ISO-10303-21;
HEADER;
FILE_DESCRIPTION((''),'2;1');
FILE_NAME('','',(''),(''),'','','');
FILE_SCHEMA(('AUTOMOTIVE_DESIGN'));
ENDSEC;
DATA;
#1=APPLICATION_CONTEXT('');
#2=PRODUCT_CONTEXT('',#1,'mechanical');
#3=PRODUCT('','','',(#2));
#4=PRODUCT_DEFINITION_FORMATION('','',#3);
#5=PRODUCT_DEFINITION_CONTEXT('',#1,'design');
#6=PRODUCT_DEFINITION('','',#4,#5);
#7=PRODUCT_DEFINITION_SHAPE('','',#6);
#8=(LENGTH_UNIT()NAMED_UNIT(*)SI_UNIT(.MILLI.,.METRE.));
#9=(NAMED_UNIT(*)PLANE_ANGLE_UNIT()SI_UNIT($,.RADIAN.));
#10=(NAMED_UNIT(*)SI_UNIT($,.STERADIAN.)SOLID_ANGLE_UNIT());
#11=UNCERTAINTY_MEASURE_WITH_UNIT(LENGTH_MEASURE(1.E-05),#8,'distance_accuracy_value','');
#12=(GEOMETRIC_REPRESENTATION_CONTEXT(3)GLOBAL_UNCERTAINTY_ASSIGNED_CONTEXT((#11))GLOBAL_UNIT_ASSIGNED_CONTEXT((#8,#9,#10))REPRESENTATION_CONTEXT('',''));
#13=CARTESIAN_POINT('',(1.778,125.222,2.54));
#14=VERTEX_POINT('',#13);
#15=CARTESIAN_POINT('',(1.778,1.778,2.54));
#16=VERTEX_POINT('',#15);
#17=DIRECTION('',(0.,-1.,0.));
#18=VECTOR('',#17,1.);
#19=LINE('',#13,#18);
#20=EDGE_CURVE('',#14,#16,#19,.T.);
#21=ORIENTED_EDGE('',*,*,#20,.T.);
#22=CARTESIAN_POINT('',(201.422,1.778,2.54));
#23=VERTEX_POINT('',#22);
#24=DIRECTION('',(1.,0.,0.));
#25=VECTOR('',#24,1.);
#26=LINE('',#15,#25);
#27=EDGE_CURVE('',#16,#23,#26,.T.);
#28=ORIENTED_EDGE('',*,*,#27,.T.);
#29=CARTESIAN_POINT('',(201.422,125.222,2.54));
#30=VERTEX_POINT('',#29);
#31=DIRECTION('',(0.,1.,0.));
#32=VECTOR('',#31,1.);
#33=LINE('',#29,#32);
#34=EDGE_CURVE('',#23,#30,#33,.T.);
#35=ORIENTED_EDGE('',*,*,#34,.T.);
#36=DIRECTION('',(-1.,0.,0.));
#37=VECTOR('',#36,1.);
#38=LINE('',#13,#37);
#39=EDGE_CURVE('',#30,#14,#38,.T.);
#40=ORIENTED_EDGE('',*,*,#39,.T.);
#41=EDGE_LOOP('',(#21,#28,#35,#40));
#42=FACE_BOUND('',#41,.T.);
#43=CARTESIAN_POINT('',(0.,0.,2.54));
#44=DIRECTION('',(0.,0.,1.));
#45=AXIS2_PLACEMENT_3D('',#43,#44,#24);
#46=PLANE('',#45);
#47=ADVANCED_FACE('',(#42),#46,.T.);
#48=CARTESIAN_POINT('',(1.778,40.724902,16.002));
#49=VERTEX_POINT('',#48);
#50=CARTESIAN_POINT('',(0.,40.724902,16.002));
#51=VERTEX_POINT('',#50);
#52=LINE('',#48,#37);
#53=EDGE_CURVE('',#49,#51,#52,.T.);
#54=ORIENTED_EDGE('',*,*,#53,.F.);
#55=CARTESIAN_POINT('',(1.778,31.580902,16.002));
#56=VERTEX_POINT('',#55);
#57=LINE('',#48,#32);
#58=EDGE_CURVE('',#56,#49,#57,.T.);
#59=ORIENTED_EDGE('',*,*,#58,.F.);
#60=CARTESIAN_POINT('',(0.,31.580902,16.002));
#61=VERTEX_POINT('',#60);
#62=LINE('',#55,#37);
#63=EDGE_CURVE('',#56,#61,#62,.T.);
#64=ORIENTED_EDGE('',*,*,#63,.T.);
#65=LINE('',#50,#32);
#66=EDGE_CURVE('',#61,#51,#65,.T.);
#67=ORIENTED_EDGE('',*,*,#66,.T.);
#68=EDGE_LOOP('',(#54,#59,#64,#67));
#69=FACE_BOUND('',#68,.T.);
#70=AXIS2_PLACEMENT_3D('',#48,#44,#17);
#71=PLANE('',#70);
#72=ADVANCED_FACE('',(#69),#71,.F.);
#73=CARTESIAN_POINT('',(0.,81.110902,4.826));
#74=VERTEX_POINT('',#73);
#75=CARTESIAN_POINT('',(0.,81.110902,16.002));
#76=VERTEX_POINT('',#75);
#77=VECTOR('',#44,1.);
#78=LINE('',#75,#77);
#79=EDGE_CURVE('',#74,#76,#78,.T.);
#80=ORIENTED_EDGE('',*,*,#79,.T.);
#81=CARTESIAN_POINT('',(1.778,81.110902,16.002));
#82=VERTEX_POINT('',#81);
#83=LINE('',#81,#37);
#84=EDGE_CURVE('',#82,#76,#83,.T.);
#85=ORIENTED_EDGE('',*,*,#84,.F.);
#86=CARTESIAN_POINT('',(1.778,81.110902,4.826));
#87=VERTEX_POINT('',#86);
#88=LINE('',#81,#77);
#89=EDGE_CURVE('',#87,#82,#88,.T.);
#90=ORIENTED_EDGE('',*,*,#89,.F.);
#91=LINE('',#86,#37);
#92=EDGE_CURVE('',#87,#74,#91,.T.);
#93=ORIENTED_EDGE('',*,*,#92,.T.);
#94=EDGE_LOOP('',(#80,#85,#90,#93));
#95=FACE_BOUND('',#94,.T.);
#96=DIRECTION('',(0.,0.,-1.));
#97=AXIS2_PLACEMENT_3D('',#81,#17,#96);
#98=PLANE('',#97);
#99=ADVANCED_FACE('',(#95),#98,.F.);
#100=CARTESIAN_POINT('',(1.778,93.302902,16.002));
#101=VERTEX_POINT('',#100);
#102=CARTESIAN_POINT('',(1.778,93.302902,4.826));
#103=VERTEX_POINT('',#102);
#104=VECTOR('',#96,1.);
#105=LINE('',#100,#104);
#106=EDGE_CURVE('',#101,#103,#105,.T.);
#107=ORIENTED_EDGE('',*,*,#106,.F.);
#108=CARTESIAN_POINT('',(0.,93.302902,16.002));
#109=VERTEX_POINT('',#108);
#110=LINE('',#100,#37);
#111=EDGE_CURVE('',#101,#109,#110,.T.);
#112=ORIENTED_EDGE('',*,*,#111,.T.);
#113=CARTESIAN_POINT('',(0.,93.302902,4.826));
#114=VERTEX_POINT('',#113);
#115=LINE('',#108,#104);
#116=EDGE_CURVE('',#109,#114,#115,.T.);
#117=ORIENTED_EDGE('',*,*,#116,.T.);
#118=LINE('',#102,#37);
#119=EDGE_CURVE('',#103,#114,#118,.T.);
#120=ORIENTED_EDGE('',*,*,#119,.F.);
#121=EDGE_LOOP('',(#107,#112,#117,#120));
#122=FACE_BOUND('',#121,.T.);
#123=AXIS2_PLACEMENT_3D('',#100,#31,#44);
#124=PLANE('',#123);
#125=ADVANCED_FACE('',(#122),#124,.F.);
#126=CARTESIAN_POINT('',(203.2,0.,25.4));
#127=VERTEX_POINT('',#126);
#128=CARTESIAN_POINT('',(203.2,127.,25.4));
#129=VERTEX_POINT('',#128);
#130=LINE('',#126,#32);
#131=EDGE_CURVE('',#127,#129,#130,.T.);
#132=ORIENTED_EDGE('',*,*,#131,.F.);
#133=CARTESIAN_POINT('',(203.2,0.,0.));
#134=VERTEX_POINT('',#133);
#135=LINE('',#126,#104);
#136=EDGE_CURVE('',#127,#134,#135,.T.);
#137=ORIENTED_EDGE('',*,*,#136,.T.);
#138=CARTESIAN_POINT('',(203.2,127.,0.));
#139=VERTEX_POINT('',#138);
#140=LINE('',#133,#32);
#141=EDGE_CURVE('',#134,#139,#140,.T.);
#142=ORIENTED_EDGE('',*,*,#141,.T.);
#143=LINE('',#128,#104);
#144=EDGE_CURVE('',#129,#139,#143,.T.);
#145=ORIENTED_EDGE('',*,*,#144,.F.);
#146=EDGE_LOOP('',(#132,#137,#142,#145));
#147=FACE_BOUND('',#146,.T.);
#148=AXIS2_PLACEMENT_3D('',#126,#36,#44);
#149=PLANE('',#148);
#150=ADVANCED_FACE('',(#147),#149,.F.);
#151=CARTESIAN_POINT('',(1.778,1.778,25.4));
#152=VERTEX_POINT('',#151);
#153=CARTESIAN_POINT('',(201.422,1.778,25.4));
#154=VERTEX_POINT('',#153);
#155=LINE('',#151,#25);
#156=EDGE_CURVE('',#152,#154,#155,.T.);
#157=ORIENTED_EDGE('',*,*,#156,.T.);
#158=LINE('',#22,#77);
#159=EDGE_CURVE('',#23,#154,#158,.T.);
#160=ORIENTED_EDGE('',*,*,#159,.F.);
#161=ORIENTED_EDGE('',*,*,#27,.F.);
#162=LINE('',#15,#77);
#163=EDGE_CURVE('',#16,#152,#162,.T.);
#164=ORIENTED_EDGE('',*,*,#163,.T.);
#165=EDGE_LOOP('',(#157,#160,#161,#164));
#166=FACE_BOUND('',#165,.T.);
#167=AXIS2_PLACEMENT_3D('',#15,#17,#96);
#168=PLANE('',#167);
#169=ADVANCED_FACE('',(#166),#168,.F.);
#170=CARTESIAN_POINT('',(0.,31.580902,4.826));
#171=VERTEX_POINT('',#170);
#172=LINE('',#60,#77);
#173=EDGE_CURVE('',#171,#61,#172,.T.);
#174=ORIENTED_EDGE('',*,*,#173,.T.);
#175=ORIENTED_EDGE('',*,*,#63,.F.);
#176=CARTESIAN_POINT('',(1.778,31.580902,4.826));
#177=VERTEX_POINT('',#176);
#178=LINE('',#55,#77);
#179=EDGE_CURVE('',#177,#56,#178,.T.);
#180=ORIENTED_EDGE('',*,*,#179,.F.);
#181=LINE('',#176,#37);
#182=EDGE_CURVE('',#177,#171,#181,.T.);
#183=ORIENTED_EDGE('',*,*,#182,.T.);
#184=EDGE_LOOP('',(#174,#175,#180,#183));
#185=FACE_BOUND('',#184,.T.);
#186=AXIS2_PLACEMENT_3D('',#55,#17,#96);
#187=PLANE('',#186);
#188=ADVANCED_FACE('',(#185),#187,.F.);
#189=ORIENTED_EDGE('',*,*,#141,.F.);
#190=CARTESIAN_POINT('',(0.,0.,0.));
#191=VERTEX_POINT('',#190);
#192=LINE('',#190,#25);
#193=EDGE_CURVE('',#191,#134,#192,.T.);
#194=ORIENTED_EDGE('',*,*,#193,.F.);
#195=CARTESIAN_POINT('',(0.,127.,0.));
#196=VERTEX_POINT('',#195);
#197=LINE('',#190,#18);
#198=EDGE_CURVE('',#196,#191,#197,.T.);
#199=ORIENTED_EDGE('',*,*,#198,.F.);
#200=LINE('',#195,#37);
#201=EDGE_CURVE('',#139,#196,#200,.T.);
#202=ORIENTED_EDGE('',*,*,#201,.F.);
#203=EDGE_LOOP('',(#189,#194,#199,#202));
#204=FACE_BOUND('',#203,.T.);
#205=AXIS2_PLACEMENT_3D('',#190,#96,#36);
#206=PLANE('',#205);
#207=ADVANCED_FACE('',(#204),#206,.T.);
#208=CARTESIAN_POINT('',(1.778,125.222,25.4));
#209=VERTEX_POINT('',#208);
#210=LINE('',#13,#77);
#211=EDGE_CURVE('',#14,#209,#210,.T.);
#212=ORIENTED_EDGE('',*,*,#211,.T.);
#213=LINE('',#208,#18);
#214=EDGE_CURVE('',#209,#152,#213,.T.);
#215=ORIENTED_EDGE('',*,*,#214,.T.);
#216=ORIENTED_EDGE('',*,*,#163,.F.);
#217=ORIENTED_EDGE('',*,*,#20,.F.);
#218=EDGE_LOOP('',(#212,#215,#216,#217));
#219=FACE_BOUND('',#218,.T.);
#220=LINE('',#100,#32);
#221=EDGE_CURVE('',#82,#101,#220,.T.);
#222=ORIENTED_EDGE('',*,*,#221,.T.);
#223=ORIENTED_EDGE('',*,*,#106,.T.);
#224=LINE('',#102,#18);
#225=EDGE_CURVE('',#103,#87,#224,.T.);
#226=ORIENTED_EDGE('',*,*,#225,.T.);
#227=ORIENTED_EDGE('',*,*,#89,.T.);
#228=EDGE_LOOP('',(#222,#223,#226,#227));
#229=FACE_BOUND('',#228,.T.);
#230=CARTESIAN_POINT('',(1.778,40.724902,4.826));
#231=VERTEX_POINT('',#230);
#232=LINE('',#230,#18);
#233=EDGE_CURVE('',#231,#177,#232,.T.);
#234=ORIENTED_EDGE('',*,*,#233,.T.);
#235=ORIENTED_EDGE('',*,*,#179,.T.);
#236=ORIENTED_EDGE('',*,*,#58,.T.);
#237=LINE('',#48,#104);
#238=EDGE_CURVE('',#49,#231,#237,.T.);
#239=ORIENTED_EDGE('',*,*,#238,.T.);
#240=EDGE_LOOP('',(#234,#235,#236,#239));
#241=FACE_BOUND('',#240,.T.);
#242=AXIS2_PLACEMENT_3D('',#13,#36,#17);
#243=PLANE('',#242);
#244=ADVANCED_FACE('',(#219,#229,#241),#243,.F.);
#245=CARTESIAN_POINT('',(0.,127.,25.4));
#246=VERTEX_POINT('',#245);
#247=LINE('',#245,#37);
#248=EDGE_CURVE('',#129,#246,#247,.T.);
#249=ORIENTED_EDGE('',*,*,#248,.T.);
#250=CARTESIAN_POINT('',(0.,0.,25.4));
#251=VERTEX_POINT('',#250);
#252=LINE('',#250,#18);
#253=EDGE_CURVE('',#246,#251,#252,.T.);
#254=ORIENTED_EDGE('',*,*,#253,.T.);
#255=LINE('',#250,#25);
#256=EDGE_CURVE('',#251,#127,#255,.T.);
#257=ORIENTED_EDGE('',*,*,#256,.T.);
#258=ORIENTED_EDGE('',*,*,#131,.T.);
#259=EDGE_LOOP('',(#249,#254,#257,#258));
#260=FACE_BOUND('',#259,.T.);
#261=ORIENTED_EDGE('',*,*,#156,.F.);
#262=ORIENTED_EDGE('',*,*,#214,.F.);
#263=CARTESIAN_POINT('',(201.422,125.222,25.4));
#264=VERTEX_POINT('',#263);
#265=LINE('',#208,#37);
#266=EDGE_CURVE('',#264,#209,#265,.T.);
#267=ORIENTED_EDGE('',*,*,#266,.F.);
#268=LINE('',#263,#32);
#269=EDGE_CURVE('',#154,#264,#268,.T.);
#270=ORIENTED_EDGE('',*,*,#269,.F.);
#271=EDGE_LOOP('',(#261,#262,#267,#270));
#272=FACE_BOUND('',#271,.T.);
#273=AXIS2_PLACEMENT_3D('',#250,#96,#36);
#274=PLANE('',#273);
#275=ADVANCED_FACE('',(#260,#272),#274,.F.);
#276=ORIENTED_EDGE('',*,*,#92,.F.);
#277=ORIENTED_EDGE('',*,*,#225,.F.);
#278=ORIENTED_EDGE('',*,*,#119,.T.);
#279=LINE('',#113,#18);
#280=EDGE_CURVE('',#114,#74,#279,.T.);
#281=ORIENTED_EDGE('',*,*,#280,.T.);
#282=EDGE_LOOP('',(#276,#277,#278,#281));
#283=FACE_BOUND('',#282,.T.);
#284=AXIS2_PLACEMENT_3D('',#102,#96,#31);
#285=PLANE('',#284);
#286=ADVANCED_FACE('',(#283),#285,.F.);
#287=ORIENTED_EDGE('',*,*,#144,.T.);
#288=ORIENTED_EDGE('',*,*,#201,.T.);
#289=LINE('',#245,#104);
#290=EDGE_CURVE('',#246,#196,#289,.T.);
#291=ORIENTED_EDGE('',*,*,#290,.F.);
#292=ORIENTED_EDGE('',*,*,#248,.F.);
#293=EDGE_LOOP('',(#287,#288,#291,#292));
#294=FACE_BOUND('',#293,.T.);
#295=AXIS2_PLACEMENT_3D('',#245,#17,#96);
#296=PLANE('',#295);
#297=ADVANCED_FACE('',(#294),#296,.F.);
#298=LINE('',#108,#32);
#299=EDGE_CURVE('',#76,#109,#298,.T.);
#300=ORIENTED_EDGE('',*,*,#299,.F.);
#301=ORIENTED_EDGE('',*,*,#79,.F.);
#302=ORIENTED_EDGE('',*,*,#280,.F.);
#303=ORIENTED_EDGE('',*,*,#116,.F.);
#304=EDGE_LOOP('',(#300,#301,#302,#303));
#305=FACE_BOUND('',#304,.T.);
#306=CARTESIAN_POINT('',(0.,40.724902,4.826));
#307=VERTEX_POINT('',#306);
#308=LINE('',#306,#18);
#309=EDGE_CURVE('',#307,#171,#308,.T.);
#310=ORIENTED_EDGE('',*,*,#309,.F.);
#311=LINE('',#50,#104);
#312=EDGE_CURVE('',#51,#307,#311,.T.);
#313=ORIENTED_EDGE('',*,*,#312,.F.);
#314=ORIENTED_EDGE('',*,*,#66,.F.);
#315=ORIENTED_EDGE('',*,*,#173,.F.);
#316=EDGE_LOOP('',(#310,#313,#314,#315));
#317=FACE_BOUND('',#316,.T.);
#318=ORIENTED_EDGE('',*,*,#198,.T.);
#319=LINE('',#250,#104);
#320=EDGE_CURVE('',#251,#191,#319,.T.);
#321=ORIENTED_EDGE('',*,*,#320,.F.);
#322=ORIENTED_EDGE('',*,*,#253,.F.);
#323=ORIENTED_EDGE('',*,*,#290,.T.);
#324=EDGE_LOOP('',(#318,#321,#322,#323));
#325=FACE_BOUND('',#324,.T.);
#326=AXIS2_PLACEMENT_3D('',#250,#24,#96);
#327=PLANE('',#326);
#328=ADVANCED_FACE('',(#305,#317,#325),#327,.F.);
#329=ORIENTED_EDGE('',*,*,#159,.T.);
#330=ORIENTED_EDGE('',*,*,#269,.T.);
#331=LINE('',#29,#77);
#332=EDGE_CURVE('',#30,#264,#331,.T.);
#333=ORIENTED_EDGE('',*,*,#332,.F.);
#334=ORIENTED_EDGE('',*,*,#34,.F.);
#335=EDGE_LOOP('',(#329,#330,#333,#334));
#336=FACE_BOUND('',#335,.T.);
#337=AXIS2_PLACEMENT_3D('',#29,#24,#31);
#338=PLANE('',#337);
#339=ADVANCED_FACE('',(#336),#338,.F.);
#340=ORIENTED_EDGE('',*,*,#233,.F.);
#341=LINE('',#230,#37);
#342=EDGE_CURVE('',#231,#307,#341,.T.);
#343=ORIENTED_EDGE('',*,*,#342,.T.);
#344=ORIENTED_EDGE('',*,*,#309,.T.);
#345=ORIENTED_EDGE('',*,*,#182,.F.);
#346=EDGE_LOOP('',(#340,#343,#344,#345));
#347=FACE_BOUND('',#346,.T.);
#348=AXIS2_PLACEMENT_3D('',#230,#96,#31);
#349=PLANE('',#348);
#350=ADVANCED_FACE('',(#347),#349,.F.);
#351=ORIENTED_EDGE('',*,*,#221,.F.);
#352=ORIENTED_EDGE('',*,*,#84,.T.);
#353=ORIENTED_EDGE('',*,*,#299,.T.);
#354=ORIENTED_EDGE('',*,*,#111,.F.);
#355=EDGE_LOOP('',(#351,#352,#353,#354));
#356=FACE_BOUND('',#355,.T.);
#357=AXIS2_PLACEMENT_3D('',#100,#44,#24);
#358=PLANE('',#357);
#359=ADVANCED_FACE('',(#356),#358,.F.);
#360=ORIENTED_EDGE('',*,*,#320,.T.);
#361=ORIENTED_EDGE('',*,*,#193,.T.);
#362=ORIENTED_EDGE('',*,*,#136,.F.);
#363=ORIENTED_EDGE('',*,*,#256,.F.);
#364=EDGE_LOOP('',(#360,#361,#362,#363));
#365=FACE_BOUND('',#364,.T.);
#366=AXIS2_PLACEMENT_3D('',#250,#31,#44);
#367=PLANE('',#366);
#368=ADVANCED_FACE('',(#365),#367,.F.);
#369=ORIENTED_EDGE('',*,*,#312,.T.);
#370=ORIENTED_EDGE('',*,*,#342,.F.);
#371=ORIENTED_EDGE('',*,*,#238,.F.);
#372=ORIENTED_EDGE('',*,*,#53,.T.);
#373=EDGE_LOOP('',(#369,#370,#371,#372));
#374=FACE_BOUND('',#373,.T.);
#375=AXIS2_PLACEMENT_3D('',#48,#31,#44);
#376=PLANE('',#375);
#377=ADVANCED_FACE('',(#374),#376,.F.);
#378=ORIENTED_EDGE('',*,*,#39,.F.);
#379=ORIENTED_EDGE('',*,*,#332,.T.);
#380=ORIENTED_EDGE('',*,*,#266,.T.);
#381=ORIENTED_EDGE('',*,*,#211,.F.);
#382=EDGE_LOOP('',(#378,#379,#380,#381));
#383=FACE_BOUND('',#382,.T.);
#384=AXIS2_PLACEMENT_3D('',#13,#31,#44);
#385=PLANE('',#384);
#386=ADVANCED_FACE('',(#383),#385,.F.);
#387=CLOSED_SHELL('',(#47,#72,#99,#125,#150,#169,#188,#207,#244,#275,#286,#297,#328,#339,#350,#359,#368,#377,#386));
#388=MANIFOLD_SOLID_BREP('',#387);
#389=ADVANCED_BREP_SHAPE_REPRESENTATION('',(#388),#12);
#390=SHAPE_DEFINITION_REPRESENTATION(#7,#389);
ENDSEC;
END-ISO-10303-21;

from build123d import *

# Parameters (mm, degrees)
SKETCH1_W           = 203.2
SKETCH1_H           = 127
BOSS_EXTRUDE1_DEPTH = 25.4
SKETCH2_W           = 199.644
SKETCH2_H           = 123.444
CUT_EXTRUDE1_DEPTH  = 22.86
SKETCH4_W           = 11.176
SKETCH4_H           = 12.192
SKETCH4_H_2         = 9.144
CUT_EXTRUDE2_DEPTH  = 1.778


with BuildPart() as part:
    # Sketch1 → Boss-Extrude1 (new body)
    with BuildSketch(Plane.XY):
        with Locations((101.6, 63.5)):
            Rectangle(SKETCH1_W, SKETCH1_H)
    extrude(amount=BOSS_EXTRUDE1_DEPTH)

    # Sketch2 → Cut-Extrude1 (cut)
    with BuildSketch(Plane.XY.offset(25.4)):
        with Locations((101.6, 63.5)):
            Rectangle(SKETCH2_W, SKETCH2_H)
    extrude(amount=-CUT_EXTRUDE1_DEPTH, mode=Mode.SUBTRACT)

    # Sketch4 → Cut-Extrude2 (cut)
    with BuildSketch(Plane.ZY):
        with Locations((10.414, 87.206902012)):
            Rectangle(SKETCH4_W, SKETCH4_H)
        with Locations((10.414, 36.152902012)):
            Rectangle(SKETCH4_W, SKETCH4_H_2)
    extrude(amount=-CUT_EXTRUDE2_DEPTH, mode=Mode.SUBTRACT)


solid = part.part
